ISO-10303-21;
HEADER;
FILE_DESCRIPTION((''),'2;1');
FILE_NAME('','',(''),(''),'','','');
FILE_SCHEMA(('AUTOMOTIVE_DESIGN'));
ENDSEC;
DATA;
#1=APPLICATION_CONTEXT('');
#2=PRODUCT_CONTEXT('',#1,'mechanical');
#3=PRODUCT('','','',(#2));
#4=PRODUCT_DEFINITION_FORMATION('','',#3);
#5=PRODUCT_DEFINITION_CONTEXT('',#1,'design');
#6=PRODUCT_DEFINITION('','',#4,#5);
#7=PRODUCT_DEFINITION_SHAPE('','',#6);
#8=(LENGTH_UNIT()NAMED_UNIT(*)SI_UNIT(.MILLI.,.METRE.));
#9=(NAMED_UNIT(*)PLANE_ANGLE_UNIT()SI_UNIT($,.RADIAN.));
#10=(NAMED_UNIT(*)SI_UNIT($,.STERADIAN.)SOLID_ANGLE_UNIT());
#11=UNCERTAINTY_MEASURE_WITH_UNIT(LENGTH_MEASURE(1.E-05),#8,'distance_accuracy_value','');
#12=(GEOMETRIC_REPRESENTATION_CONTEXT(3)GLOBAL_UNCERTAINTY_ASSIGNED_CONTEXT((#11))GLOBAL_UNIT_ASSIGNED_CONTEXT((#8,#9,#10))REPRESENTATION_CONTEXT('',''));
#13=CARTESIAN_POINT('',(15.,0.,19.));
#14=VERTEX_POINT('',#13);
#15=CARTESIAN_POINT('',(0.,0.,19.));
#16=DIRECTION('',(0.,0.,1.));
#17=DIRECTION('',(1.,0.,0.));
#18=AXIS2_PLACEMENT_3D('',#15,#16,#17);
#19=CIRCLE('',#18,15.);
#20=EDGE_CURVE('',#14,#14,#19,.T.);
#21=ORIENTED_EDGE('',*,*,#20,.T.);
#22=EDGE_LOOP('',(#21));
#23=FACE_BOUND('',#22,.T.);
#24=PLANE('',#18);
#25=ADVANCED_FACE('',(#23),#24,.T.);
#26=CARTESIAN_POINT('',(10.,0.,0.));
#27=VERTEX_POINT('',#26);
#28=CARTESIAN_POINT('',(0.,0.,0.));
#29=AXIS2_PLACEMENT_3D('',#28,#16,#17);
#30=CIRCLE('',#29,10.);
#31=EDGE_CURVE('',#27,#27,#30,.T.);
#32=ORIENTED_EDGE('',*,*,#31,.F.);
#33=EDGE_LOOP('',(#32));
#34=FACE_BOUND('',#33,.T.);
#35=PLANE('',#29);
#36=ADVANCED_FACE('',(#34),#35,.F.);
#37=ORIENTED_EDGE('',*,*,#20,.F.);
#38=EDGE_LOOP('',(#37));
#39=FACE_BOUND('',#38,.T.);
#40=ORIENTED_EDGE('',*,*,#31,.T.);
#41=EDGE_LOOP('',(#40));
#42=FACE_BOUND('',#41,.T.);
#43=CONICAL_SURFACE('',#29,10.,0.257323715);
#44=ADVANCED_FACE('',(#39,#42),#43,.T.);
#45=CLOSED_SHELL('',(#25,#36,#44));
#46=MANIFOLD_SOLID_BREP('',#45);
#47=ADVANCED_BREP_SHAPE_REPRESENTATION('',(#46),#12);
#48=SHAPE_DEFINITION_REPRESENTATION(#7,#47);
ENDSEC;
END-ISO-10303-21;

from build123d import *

# Parameters (mm, degrees)
SKETCH_1_R = 10
SKETCH_3_R = 15


with BuildPart() as part:
    # 草图1 → 放样1 section 0
    with BuildSketch(Plane.XY):
        Circle(SKETCH_1_R)
    # 草图3 → 放样1 section 1
    with BuildSketch(Plane.XY.offset(19)):
        Circle(SKETCH_3_R)
    loft()


solid = part.part
